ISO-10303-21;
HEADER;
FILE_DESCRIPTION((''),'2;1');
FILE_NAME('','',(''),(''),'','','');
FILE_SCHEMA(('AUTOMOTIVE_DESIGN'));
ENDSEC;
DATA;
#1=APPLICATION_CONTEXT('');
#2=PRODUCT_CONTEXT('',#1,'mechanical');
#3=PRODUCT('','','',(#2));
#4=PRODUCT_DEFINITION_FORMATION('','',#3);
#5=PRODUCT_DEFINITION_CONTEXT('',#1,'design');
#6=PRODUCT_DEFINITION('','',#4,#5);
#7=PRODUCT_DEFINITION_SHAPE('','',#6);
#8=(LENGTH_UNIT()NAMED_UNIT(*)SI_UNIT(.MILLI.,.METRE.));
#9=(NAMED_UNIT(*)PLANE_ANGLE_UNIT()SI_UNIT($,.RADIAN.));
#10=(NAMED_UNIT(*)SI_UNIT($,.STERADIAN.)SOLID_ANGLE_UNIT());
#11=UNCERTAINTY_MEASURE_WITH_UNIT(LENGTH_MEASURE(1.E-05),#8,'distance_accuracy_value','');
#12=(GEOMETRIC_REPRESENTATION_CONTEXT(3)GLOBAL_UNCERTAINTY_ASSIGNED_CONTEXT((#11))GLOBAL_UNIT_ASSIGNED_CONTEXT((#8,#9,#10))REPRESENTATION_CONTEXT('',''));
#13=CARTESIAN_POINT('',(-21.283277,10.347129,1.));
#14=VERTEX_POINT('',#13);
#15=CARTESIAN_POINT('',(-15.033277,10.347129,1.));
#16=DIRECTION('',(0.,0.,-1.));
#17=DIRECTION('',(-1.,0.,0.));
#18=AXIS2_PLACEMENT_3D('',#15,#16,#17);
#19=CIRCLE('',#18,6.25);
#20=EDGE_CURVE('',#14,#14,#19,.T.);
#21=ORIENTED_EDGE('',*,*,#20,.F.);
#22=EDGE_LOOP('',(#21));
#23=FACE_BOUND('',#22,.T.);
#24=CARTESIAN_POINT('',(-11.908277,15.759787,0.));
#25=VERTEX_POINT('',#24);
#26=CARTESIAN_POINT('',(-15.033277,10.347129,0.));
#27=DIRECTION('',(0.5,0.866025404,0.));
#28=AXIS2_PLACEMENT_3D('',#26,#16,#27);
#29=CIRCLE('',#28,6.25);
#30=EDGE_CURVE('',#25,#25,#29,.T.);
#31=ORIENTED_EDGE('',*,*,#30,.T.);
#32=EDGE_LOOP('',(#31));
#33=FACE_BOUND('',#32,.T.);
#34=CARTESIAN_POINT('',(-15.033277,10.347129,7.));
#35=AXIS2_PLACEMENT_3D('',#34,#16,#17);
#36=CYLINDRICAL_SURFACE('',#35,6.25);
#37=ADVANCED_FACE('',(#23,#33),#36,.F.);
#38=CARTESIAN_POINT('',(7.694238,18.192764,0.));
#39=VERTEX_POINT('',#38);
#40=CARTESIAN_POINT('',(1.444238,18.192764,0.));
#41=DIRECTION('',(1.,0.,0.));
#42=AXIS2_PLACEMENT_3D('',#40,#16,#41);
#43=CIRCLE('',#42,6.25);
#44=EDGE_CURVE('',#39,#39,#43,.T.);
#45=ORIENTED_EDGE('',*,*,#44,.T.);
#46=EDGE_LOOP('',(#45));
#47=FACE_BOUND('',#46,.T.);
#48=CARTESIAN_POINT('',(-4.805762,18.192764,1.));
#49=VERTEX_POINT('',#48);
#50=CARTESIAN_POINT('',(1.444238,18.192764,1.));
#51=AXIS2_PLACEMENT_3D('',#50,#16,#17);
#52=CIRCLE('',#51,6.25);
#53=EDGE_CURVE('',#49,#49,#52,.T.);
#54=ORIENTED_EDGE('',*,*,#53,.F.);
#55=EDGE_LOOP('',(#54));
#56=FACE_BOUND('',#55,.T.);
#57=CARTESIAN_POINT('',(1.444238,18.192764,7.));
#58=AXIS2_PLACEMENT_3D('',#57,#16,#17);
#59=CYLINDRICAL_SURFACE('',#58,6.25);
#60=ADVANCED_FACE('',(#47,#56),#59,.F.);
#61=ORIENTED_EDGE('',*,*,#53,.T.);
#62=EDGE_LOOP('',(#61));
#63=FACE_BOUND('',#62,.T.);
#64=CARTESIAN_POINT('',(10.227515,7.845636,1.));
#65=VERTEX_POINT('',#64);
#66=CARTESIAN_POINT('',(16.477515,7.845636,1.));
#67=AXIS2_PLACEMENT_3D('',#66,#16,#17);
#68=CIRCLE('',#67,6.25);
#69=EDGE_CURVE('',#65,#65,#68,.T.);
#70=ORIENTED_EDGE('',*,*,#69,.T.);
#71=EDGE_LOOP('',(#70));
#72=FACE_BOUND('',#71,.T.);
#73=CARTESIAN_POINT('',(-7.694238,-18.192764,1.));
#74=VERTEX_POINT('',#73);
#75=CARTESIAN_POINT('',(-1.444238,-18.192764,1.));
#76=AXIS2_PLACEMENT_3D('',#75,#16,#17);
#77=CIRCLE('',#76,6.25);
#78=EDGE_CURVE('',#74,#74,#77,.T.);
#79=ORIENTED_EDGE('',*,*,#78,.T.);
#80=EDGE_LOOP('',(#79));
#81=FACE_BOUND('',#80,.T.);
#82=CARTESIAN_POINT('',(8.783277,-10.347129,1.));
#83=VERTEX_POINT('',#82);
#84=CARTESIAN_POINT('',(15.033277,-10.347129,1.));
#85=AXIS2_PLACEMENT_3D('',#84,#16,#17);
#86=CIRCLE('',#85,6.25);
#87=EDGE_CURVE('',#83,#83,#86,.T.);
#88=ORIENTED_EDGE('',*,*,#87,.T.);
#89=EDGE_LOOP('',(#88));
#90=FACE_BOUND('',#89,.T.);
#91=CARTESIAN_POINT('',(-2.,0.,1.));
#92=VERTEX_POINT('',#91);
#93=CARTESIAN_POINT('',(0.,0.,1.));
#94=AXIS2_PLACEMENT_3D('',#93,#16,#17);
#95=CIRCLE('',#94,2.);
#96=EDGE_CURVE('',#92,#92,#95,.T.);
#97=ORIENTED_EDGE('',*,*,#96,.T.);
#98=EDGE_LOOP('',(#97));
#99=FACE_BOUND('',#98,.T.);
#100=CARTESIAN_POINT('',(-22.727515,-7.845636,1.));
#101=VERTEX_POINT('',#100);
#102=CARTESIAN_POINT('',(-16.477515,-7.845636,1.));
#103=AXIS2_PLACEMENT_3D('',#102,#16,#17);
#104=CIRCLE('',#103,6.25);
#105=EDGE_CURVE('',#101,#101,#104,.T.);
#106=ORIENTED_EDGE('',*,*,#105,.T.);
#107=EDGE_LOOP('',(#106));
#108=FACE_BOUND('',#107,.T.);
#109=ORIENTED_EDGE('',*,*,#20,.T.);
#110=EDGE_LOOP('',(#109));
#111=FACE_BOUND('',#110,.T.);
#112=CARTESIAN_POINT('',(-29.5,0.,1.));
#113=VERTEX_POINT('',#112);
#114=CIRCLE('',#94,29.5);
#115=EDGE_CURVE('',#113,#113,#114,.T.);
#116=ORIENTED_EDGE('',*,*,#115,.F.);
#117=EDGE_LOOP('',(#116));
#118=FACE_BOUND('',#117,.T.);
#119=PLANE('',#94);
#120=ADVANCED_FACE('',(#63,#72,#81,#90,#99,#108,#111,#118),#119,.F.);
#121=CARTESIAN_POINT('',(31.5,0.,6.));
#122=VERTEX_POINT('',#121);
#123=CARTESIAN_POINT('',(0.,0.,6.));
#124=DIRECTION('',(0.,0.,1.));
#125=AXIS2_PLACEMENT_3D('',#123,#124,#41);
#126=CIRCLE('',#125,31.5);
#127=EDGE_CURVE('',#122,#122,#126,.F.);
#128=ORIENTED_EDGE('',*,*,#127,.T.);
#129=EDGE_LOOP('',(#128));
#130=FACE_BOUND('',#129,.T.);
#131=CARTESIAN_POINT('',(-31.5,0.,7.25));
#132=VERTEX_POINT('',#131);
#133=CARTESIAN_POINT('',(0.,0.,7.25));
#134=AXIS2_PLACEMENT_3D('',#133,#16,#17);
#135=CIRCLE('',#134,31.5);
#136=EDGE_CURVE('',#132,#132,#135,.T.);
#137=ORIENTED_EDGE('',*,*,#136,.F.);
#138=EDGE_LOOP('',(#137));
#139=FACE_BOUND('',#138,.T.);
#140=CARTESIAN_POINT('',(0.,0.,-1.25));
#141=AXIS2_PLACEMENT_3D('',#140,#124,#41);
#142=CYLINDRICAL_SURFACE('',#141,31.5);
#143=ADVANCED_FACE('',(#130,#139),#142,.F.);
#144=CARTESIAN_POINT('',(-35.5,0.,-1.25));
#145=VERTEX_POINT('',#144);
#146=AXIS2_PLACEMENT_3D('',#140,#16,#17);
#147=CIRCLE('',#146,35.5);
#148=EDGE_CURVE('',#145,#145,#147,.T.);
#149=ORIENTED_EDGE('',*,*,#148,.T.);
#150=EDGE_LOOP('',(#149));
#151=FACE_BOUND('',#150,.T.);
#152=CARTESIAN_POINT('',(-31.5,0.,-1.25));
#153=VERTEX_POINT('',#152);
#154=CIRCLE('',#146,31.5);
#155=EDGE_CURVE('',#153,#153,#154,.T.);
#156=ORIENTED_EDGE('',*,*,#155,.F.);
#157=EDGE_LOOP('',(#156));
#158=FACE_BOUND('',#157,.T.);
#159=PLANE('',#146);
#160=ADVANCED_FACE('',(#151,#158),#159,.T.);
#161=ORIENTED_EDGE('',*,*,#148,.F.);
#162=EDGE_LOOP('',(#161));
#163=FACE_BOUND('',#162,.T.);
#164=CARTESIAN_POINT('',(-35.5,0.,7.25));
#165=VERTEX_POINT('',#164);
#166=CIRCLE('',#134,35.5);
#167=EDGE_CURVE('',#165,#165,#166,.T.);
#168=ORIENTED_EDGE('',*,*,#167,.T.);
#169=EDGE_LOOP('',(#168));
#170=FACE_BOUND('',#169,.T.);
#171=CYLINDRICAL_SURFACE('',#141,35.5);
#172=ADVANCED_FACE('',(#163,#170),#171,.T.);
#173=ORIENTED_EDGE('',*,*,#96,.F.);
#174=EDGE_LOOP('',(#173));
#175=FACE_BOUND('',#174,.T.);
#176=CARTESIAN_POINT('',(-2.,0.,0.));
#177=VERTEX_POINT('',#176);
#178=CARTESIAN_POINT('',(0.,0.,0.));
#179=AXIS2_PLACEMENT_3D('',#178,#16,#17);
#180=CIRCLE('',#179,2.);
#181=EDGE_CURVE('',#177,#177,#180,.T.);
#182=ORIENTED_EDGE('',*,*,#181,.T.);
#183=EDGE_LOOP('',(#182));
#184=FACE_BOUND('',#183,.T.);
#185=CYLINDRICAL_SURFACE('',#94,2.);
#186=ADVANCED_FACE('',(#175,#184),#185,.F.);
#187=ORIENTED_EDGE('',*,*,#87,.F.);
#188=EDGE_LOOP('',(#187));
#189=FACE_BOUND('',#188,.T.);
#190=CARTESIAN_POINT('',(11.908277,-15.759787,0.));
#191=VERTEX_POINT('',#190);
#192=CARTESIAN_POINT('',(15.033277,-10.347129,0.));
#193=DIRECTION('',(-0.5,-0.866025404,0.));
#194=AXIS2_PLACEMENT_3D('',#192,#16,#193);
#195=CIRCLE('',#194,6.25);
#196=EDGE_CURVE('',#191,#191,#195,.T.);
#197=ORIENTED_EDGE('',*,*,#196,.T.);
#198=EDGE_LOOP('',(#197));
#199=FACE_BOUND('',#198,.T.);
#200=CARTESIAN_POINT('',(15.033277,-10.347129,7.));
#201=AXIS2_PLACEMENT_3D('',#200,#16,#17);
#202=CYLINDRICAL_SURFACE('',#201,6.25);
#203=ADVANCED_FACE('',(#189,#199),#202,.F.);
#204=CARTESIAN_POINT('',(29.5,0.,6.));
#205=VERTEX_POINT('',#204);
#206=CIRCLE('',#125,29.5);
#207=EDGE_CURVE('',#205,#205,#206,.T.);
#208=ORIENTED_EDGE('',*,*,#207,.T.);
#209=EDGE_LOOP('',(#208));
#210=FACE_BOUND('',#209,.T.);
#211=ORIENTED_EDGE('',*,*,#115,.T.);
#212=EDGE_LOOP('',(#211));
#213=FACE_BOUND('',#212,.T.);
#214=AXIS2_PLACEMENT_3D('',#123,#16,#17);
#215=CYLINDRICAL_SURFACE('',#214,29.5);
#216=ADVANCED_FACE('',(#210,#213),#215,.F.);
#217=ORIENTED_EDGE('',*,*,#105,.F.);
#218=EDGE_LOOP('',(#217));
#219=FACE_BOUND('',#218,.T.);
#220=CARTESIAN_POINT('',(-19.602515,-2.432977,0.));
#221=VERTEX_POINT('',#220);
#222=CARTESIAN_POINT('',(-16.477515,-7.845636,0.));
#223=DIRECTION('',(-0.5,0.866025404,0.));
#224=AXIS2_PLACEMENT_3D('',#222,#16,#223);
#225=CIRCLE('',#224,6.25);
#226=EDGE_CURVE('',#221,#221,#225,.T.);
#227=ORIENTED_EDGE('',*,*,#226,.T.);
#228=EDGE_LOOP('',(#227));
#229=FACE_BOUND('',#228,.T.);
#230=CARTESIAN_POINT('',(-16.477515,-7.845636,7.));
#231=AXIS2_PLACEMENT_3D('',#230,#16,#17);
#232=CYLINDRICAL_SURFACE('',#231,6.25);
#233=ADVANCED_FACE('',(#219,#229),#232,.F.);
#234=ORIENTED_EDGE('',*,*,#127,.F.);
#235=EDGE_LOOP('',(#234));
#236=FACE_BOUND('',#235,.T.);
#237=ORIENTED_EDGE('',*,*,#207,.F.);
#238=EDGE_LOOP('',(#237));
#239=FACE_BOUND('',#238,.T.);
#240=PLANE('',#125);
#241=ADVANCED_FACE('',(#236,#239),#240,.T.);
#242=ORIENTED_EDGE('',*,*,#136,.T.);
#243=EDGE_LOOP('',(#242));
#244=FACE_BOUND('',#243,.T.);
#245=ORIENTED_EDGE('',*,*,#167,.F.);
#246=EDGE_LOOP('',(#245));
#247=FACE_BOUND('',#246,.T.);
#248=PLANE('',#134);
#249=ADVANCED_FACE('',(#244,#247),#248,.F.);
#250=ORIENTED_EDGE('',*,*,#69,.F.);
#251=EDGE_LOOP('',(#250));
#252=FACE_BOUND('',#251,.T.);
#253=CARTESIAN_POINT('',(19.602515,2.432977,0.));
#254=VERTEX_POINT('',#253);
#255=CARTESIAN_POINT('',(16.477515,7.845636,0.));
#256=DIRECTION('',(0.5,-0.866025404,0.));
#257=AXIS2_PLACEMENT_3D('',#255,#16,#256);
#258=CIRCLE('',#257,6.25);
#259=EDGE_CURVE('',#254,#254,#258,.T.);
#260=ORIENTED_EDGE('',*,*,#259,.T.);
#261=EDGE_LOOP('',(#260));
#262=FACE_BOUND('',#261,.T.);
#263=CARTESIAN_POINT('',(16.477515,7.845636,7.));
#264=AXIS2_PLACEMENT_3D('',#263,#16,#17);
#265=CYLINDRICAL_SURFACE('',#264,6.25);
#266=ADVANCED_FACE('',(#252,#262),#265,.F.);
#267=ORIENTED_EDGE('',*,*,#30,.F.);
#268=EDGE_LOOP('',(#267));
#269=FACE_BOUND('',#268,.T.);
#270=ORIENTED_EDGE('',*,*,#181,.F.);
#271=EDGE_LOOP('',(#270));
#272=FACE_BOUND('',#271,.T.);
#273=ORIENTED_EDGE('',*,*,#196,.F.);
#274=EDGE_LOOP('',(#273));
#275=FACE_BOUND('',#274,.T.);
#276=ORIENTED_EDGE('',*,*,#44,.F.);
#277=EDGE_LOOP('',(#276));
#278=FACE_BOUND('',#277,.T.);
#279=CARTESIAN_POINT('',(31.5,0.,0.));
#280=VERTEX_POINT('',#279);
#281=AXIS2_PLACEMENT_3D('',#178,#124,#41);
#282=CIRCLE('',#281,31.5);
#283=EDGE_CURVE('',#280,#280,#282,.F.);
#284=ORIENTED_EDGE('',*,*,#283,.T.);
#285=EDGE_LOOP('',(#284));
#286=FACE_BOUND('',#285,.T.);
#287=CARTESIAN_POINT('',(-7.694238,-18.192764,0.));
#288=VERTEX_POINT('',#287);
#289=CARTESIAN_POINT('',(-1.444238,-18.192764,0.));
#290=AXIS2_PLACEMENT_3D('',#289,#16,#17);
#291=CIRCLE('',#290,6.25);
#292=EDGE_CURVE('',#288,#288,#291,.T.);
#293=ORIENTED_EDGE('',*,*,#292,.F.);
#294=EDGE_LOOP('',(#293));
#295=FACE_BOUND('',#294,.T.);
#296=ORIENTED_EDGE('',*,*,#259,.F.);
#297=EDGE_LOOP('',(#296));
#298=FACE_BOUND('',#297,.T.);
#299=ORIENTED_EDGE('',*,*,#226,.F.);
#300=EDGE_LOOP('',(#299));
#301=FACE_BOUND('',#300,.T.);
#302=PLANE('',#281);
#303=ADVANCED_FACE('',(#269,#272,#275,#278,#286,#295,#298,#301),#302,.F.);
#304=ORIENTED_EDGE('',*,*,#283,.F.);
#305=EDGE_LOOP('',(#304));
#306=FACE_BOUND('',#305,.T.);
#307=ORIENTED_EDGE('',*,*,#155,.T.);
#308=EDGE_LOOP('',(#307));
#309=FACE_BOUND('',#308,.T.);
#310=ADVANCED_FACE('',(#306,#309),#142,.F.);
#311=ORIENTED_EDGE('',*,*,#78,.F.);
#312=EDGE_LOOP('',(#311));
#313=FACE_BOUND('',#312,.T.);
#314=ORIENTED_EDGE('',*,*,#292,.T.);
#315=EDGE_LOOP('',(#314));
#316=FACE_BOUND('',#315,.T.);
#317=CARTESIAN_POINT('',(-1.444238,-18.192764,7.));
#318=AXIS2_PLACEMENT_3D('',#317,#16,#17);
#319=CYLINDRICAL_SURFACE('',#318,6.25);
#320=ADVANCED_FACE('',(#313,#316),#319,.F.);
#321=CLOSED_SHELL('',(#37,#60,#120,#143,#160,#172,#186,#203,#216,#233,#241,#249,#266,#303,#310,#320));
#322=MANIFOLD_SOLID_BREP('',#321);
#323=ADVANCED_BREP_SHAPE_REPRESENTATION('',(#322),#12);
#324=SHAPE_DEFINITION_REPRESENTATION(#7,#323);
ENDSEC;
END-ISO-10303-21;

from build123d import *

# Parameters (mm, degrees)
SKETCH1_R                = 33
SKETCH1_R_2              = 29.5
BOSS_EXTRUDE1_DEPTH      = 6
SKETCH2_R                = 33
SKETCH2_R_2              = 2
BOSS_EXTRUDE2_DEPTH      = 1
SKETCH3_R                = 6.25
CUT_EXTRUDE2_DEPTH       = 7
CIRPATTERN1_COUNT        = 6
BOSS_EXTRUDE3_DEPTH      = 1.25
BOSS_EXTRUDE3_DEPTH_BACK = 7.25
SKETCH4_R                = 35.5
SKETCH4_R_2              = 31.5


with BuildPart() as part:
    # Sketch1 → Boss-Extrude1 (new body)
    with BuildSketch(Plane.XY):
        Circle(SKETCH1_R)
        Circle(SKETCH1_R_2, mode=Mode.SUBTRACT)
    extrude(amount=BOSS_EXTRUDE1_DEPTH)

    # Sketch2 → Boss-Extrude2 (add)
    with BuildSketch(Plane(origin=(0, 0, 0), x_dir=(-1, 0, 0), z_dir=(0, 0, -1))):
        with Locations(Location((0, 0, 0), (0, 0, 180))):
            Circle(SKETCH2_R)
        Circle(SKETCH2_R_2, mode=Mode.SUBTRACT)
    extrude(amount=-BOSS_EXTRUDE2_DEPTH)

    # Sketch3 → Cut-Extrude2 (cut)
    with BuildSketch(Plane(origin=(0, 0, 0), x_dir=(-1, 0, 0), z_dir=(0, 0, -1))):
        with Locations((1.444237573, -18.192764436)):
            Circle(SKETCH3_R)
    cut_extrude2 = extrude(amount=-CUT_EXTRUDE2_DEPTH, mode=Mode.SUBTRACT)

    # CirPattern1: Cut-Extrude2 ×6 about axis
    cirpattern1_axis = Axis((0, 0, 0), (0, 0, 1))
    for i in range(1, CIRPATTERN1_COUNT):
        add(cut_extrude2.rotate(cirpattern1_axis, i * 360 / CIRPATTERN1_COUNT), mode=Mode.SUBTRACT)

    # Sketch4 → Boss-Extrude3 (add, two sides: drawn at the far end of the back side and taken through both)
    with BuildSketch(Plane(origin=(0, 0, 0), x_dir=(-1, 0, 0), z_dir=(0, 0, -1)).offset(-BOSS_EXTRUDE3_DEPTH_BACK)):
        Circle(SKETCH4_R)
        with Locations(Location((0, 0, 0), (0, 0, 180))):
            Circle(SKETCH4_R_2, mode=Mode.SUBTRACT)
    extrude(amount=BOSS_EXTRUDE3_DEPTH + BOSS_EXTRUDE3_DEPTH_BACK)


solid = part.part
